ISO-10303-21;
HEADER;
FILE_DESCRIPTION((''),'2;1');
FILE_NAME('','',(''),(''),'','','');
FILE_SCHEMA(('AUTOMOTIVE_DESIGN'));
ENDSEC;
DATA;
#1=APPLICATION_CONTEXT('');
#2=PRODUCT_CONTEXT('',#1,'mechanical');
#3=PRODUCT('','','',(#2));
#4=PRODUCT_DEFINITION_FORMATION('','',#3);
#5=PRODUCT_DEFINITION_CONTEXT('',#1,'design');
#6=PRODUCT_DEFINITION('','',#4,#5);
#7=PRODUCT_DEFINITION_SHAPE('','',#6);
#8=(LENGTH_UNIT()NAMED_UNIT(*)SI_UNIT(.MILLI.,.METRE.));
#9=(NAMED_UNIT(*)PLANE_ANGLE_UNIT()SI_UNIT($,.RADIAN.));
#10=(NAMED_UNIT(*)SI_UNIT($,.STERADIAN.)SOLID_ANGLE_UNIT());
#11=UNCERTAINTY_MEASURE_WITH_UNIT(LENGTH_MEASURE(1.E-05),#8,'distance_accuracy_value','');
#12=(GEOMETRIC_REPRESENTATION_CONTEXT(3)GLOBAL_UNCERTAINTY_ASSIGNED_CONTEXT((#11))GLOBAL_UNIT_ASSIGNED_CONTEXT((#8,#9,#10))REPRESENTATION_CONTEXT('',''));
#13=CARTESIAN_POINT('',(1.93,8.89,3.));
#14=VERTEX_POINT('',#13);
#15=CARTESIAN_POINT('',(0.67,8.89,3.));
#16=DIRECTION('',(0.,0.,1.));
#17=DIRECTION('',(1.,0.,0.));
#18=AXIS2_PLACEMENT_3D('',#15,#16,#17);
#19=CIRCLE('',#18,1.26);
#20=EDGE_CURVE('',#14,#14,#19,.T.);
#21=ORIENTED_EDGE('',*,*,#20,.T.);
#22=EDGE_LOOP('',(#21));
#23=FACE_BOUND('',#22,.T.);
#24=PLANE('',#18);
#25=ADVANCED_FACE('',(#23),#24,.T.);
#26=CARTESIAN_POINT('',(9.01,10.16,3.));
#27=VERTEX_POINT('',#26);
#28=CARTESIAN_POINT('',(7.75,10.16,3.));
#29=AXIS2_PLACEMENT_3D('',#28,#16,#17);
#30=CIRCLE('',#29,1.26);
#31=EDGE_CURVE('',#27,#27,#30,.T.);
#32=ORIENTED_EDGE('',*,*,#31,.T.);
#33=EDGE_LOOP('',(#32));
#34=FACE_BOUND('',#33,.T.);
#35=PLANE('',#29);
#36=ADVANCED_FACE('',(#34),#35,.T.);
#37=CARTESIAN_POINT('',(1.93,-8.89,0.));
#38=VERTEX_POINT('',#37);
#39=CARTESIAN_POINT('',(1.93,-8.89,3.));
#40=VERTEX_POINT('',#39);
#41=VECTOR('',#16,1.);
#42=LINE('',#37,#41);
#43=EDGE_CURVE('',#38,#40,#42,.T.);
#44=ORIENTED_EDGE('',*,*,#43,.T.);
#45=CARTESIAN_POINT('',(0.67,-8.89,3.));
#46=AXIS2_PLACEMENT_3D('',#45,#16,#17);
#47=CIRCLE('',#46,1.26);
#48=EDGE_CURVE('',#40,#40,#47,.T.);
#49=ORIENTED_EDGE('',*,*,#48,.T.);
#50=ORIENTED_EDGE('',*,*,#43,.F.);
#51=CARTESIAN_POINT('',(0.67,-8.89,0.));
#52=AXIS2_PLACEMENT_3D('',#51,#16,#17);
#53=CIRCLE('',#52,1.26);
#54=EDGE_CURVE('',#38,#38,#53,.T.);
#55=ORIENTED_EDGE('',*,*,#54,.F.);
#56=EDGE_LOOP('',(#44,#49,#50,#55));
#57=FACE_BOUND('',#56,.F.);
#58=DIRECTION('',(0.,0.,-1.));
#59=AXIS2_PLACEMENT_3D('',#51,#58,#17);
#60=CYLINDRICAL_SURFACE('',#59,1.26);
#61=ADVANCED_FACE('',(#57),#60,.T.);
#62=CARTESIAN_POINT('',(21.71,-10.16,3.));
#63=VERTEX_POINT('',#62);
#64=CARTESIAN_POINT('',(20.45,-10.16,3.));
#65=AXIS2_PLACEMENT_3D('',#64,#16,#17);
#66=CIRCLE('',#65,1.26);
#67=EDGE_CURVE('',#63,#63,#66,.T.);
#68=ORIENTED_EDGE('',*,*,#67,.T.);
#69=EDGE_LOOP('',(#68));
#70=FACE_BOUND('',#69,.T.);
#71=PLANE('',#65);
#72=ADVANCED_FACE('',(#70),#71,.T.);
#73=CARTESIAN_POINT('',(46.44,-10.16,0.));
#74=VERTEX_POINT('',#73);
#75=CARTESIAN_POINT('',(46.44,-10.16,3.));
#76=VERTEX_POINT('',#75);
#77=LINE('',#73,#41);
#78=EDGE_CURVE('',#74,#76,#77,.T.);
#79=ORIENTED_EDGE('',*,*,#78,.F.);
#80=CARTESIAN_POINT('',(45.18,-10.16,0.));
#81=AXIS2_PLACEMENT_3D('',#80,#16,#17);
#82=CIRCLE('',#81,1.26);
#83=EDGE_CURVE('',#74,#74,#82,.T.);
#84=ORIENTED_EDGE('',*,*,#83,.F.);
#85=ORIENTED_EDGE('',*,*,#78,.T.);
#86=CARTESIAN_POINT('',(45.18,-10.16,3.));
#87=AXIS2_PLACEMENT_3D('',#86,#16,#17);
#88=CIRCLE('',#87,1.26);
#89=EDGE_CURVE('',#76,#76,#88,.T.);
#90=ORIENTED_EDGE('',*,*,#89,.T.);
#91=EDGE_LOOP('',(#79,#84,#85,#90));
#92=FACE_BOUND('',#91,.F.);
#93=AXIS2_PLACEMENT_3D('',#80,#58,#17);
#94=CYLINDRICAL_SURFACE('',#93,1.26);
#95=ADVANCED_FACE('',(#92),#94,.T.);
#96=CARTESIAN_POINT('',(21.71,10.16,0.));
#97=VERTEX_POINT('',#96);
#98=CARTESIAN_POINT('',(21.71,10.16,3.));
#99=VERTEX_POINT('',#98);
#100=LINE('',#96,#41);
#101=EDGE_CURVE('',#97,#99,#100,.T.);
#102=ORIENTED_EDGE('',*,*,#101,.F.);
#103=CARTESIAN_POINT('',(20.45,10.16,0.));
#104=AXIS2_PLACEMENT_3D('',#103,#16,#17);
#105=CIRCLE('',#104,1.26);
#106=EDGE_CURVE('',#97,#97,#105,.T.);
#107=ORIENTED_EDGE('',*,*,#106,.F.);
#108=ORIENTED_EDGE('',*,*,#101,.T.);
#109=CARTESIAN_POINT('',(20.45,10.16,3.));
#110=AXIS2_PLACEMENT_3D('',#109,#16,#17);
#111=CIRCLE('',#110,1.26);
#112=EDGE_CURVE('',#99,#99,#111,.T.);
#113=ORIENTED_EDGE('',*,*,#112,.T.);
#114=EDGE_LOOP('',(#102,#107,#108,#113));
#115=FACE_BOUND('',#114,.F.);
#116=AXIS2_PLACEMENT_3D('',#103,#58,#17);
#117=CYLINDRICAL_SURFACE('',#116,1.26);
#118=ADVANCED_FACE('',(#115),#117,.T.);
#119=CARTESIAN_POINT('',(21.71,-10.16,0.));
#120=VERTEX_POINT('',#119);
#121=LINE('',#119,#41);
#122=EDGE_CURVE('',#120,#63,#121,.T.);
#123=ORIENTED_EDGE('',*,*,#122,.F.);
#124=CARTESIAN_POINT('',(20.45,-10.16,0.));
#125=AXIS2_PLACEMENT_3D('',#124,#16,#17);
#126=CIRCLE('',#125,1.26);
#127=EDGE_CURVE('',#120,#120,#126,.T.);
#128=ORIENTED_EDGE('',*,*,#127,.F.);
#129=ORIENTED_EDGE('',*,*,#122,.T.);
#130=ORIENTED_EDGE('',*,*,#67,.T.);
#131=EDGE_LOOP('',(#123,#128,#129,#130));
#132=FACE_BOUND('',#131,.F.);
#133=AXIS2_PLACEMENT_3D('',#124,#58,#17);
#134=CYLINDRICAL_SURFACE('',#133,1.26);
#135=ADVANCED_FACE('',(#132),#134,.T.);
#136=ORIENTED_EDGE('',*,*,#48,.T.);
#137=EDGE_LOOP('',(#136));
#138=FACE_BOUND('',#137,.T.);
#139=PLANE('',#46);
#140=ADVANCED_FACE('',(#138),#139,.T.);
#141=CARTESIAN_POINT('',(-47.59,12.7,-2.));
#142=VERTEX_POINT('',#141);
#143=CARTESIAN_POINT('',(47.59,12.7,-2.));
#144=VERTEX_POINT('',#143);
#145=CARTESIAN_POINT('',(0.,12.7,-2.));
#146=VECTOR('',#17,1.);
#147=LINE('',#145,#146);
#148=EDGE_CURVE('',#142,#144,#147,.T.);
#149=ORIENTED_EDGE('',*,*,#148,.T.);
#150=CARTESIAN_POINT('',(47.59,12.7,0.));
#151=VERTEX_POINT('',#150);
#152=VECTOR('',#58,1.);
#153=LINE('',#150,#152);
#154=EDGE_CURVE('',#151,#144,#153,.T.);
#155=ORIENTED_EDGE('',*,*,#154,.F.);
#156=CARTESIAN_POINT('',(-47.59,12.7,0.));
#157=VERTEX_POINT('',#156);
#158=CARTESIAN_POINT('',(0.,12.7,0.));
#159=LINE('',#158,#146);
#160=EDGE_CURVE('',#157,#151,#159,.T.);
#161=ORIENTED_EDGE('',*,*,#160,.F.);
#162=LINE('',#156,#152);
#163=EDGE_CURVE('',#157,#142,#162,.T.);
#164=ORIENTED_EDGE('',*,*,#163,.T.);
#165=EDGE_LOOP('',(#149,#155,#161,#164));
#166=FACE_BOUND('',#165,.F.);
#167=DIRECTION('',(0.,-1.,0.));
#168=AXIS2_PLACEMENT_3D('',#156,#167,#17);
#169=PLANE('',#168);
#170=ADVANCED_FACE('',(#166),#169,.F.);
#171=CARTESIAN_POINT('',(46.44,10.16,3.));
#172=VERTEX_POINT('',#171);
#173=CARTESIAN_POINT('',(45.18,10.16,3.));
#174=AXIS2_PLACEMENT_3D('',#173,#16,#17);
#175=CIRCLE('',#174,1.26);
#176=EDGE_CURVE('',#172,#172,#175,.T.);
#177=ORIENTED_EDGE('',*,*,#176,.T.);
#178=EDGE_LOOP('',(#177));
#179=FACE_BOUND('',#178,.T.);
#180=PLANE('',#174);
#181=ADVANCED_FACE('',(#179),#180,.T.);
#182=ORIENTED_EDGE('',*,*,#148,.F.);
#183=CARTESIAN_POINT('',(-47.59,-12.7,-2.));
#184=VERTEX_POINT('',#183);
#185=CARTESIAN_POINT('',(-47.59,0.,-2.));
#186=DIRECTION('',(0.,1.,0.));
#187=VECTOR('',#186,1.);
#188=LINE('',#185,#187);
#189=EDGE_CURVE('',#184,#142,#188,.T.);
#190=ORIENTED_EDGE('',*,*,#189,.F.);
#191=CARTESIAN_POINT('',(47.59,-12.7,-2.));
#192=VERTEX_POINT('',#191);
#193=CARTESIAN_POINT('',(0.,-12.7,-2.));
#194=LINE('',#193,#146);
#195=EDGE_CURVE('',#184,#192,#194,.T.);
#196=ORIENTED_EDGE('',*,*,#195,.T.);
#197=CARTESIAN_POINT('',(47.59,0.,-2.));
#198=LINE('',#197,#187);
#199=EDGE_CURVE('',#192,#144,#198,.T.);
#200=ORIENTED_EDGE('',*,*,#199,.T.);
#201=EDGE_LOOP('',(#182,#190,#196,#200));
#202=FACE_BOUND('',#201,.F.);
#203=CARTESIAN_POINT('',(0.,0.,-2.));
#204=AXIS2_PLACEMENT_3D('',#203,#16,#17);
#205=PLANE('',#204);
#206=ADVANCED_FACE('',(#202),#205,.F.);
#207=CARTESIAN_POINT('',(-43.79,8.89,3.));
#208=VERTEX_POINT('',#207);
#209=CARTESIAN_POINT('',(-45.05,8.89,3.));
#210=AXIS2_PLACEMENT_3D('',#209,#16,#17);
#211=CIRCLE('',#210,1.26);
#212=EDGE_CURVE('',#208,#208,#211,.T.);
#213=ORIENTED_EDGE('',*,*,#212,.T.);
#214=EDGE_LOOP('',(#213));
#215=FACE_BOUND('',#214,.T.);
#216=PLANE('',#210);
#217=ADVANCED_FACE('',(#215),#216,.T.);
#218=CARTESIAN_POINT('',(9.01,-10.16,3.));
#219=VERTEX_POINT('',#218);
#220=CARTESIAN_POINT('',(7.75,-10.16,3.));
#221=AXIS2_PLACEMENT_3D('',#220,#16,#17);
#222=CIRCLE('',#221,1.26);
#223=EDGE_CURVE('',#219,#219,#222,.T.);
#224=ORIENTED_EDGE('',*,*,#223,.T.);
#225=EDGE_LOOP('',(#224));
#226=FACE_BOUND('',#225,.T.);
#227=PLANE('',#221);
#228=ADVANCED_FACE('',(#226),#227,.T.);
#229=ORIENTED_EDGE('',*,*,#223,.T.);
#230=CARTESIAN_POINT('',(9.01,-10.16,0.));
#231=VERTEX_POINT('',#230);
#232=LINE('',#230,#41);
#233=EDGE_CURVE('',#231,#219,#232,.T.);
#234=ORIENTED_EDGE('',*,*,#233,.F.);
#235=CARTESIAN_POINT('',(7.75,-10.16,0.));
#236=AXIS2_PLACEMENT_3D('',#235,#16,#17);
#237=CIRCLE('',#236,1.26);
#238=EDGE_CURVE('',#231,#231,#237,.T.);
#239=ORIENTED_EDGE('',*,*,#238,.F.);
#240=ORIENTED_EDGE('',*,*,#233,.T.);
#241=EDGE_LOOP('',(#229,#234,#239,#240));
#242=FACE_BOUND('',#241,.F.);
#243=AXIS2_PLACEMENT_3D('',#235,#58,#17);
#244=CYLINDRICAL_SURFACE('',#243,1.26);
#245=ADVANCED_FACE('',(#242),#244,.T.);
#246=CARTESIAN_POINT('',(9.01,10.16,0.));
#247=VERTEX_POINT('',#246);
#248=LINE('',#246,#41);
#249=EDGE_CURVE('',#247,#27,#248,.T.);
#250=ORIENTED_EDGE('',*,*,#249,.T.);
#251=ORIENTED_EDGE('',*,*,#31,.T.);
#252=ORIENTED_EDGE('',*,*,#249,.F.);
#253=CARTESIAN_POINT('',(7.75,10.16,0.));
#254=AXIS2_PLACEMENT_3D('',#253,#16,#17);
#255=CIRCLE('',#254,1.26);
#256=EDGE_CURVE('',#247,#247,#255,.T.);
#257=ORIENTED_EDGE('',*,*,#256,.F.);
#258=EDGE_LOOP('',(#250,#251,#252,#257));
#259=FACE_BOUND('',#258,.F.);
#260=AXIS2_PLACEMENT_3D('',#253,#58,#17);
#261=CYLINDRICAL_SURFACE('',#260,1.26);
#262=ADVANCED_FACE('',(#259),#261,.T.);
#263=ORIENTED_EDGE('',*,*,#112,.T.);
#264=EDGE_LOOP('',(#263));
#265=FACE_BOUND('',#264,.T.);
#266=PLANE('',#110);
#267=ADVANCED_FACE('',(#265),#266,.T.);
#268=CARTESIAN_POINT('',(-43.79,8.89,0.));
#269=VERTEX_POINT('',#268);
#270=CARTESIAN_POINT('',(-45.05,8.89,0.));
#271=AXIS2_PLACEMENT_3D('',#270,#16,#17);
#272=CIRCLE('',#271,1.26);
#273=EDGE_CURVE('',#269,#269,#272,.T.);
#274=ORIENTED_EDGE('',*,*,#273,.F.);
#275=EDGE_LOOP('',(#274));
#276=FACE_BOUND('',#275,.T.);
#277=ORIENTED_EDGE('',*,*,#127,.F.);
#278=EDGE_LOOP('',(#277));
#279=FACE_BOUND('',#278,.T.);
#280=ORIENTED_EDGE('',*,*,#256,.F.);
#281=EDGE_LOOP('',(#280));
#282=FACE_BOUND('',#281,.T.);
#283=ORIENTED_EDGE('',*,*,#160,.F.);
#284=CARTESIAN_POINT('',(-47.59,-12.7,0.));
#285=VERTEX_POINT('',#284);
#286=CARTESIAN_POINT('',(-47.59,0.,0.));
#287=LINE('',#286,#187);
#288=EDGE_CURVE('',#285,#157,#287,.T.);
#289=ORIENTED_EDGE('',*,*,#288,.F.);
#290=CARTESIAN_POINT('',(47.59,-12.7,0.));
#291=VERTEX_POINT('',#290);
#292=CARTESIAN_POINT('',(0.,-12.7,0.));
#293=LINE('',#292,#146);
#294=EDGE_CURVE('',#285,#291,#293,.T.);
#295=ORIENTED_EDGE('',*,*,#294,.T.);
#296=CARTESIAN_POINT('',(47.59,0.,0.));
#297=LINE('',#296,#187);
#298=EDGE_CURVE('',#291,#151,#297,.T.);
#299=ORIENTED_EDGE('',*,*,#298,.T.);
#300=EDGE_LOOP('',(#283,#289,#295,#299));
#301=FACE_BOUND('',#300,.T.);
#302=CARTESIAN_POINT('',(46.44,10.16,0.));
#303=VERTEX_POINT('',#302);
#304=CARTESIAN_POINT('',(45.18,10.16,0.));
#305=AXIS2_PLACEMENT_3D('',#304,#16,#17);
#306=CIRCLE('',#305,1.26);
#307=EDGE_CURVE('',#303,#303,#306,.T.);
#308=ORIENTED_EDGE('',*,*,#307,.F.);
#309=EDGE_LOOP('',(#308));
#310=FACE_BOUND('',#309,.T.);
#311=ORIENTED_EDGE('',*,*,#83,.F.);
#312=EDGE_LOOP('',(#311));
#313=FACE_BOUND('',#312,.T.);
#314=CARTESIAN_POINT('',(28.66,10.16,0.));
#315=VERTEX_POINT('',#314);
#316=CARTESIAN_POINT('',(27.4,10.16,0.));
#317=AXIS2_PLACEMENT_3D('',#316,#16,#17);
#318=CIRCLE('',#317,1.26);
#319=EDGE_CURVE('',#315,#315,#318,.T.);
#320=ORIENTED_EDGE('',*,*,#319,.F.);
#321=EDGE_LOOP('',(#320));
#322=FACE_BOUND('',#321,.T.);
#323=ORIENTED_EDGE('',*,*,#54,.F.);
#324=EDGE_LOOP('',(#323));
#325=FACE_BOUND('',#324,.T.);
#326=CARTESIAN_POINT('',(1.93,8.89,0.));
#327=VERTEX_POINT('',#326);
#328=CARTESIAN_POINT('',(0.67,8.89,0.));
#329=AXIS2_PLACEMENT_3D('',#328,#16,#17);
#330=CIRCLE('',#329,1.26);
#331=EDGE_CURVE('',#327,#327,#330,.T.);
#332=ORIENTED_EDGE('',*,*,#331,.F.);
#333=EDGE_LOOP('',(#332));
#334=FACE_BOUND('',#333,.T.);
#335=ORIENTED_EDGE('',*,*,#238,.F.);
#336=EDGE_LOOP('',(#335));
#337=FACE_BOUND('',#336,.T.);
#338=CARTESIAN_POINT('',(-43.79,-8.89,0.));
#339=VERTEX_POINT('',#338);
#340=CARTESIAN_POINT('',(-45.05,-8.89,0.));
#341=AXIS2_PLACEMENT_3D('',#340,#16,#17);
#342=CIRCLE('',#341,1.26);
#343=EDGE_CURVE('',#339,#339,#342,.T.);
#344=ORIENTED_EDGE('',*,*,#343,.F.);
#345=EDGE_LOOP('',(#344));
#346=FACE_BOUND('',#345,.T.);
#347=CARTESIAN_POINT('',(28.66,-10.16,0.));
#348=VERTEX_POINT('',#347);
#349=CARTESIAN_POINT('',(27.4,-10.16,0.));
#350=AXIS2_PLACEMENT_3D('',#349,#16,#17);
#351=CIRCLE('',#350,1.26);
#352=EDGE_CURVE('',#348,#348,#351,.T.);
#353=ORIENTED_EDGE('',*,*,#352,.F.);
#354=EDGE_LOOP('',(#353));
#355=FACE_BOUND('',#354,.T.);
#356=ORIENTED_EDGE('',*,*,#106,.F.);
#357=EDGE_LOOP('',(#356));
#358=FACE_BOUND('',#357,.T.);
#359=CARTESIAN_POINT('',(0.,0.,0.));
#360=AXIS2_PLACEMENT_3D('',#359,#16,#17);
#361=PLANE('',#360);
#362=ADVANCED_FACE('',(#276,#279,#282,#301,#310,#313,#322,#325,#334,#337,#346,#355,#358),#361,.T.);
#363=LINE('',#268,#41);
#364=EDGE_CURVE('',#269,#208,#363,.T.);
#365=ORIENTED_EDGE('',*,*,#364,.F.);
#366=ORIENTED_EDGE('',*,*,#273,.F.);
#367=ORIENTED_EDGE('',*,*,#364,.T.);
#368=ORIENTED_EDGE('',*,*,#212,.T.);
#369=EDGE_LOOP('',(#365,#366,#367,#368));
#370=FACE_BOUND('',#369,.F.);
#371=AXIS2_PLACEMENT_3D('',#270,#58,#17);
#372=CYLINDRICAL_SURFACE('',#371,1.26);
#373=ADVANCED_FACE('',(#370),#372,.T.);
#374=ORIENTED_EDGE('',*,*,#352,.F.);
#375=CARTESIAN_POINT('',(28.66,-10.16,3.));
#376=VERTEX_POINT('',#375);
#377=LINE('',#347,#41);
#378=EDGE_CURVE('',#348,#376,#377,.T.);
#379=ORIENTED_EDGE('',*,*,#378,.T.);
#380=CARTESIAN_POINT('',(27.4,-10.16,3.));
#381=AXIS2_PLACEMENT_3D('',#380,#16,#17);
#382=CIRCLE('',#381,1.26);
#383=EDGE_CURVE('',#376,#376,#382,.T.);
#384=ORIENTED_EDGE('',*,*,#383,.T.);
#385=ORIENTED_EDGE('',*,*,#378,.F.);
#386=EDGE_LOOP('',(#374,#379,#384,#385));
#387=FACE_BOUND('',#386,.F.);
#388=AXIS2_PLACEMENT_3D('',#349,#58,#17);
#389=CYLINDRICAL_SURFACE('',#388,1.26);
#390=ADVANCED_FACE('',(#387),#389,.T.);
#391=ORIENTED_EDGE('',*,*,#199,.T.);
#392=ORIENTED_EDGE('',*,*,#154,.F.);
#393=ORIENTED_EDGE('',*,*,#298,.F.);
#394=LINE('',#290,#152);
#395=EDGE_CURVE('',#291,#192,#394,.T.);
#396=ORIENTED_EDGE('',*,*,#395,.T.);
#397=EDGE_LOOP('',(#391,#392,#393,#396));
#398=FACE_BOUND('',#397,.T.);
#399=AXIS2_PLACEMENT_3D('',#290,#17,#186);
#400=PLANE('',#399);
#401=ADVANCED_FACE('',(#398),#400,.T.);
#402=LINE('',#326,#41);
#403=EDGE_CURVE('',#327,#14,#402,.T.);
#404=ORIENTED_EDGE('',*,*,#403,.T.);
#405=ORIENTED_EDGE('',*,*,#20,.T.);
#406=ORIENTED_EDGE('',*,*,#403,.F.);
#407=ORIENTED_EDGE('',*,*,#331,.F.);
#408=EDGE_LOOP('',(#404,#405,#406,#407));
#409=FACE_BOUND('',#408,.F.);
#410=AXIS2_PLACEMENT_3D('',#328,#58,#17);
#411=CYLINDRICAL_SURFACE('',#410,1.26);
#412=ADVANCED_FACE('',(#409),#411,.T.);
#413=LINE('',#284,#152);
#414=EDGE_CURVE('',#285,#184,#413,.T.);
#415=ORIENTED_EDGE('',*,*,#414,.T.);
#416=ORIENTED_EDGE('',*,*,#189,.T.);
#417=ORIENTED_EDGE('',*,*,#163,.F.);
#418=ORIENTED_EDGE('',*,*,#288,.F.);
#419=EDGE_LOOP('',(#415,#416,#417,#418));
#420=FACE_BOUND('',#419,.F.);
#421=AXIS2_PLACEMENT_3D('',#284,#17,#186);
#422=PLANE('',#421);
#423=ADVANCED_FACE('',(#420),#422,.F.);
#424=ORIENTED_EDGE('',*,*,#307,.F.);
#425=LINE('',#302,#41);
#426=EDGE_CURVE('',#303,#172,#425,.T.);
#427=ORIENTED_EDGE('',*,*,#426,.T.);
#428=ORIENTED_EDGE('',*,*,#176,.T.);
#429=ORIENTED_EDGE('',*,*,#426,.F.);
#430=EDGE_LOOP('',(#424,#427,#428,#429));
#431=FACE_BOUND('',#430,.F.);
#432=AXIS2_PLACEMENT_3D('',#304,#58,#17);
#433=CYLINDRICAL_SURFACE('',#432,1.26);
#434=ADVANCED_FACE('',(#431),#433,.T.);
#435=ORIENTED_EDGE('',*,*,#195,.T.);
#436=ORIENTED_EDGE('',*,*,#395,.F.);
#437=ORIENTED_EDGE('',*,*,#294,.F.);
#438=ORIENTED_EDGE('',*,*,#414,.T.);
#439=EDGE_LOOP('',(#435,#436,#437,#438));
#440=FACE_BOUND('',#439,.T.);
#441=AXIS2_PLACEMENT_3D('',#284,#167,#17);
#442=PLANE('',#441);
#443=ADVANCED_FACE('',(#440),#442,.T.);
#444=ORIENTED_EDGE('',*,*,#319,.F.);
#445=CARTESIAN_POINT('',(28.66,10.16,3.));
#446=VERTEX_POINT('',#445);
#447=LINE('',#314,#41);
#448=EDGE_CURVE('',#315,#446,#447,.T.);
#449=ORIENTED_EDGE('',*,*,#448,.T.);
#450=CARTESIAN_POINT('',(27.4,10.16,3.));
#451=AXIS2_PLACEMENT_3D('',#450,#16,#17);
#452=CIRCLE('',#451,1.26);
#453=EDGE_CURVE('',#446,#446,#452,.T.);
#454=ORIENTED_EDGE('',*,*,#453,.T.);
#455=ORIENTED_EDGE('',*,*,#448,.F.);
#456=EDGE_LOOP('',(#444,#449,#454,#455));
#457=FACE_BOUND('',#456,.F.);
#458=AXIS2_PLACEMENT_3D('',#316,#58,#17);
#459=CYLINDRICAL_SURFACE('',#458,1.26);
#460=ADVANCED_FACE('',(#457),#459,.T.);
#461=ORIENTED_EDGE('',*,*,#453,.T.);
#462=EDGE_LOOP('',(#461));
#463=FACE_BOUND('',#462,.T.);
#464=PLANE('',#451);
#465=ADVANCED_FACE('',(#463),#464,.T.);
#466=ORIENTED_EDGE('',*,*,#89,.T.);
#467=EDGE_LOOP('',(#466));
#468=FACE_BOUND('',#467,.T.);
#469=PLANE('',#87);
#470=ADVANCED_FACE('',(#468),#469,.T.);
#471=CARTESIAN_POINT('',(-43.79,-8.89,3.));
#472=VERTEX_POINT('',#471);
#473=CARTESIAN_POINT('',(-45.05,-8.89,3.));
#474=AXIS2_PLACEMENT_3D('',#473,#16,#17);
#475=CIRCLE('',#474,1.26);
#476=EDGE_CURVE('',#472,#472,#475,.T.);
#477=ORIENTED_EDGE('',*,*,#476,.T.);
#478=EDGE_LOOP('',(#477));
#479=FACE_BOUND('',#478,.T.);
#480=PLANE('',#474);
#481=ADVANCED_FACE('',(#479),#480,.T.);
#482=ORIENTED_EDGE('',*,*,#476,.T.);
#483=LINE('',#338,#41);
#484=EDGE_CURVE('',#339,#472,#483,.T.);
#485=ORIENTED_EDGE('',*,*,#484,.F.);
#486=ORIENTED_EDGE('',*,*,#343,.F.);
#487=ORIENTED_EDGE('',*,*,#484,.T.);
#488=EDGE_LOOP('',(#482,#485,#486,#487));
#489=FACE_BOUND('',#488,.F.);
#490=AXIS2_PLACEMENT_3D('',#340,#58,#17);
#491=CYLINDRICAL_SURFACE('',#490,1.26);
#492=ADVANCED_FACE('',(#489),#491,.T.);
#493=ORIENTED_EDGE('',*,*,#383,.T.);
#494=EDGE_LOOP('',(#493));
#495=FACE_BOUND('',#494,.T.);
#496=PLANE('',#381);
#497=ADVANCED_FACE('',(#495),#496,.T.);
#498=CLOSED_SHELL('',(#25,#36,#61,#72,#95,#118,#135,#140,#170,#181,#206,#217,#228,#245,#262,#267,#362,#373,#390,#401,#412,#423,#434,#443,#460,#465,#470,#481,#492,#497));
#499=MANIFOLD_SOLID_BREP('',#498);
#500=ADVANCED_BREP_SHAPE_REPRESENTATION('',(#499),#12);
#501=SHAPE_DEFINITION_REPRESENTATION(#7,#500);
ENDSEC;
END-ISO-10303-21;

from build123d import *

# Parameters (mm, degrees)
SKETCH001_W  = 95.18
SKETCH001_H  = 25.4
PAD_DEPTH    = 2
SKETCH_R     = 1.26
PAD001_DEPTH = 3


with BuildPart() as part:
    # Sketch001 → Pad (new body)
    with BuildSketch(Plane.XY):
        Rectangle(SKETCH001_W, SKETCH001_H)
    extrude(amount=-PAD_DEPTH)

    # Sketch → Pad001 (join)
    with BuildSketch(Plane.XY):
        with Locations((-45.05, 8.89)):
            Circle(SKETCH_R)
        with Locations((0.67, 8.89)):
            Circle(SKETCH_R)
        with Locations((-45.05, -8.89)):
            Circle(SKETCH_R)
        with Locations((0.67, -8.89)):
            Circle(SKETCH_R)
        with Locations((27.4, 10.16)):
            Circle(SKETCH_R)
        with Locations((27.4, -10.16)):
            Circle(SKETCH_R)
        with Locations((45.18, 10.16)):
            Circle(SKETCH_R)
        with Locations((45.18, -10.16)):
            Circle(SKETCH_R)
        with Locations((7.75, 10.16)):
            Circle(SKETCH_R)
        with Locations((20.45, 10.16)):
            Circle(SKETCH_R)
        with Locations((7.75, -10.16)):
            Circle(SKETCH_R)
        with Locations((20.45, -10.16)):
            Circle(SKETCH_R)
    extrude(amount=PAD001_DEPTH)


solid = part.part
